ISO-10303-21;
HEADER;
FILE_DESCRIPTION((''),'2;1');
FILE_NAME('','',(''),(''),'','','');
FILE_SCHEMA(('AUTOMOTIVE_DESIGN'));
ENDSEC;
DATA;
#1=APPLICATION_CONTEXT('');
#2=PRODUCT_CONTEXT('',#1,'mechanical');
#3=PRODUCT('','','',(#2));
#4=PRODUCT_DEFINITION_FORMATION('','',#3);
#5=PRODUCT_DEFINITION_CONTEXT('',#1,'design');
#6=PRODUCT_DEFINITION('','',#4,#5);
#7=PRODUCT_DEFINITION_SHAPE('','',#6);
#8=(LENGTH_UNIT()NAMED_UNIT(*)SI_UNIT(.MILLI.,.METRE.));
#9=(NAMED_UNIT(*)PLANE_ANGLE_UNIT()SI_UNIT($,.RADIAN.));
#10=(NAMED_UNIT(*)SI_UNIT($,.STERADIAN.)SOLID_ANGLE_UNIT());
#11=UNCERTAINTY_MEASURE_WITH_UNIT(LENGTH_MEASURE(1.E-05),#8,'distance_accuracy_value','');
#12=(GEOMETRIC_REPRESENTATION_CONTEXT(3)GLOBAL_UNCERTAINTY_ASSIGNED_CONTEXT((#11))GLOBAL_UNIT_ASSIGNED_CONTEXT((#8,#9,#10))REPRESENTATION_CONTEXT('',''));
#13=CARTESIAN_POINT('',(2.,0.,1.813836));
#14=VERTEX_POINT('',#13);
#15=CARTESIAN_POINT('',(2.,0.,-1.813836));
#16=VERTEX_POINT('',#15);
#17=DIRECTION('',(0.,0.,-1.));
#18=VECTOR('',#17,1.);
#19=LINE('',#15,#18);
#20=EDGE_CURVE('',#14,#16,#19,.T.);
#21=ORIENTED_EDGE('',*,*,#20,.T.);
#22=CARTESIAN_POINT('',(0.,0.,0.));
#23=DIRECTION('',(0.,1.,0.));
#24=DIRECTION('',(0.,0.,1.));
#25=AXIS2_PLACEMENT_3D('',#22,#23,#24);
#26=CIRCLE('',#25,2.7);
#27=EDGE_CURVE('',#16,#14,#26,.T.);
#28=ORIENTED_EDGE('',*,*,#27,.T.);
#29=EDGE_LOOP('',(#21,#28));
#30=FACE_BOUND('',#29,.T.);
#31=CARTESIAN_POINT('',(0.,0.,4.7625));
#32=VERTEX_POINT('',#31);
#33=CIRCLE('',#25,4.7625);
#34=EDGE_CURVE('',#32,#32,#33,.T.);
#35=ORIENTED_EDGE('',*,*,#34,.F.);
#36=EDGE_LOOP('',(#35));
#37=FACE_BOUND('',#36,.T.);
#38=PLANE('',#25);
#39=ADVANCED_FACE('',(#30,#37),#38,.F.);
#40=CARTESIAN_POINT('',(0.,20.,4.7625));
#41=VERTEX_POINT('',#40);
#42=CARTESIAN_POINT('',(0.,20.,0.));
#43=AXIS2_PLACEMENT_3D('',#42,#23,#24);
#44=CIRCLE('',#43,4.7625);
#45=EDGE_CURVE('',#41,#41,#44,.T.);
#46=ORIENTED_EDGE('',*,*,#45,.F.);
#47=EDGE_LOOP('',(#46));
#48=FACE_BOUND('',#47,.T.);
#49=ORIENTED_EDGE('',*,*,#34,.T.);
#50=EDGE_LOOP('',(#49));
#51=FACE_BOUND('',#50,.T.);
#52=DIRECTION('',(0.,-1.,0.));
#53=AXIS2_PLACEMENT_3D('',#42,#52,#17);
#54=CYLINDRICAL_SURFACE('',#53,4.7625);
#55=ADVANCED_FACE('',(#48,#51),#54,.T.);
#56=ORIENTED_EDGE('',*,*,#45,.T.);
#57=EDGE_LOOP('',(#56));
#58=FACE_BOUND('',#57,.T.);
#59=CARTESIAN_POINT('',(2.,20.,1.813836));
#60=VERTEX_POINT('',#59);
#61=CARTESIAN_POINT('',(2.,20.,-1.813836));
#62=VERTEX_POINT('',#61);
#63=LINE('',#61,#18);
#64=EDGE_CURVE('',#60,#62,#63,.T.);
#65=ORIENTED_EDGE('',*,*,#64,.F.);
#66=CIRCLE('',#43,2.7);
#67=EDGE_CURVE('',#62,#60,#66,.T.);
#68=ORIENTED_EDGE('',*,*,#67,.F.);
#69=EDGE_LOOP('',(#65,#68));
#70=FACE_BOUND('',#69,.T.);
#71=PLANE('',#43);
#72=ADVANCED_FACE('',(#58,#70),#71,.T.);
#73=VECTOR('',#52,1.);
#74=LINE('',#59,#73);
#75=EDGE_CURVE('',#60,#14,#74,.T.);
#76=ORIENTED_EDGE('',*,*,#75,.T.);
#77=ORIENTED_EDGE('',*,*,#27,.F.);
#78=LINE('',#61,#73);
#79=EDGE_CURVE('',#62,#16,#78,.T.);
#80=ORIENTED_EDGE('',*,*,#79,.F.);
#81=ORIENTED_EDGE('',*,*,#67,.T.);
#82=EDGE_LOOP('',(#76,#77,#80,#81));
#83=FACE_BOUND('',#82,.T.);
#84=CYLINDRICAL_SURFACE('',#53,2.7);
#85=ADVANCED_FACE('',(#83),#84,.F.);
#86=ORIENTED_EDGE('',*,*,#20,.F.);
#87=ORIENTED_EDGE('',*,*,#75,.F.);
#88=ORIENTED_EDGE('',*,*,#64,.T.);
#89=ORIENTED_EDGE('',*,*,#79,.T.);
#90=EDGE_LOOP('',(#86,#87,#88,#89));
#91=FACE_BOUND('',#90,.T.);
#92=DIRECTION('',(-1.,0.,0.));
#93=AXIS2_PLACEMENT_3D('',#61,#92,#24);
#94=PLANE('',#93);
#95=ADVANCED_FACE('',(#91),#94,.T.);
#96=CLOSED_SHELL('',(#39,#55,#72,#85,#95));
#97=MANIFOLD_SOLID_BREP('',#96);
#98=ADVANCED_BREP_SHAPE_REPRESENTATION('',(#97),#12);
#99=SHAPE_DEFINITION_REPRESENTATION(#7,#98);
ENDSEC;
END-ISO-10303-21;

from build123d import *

# Parameters (mm, degrees)
SKETCH1_R           = 4.7625
BOSS_EXTRUDE1_DEPTH = 20


with BuildPart() as part:
    # Sketch1 → Boss-Extrude1 (new body)
    with BuildSketch(Plane(origin=(0, 0, 0), x_dir=(1, 0, 0), z_dir=(0, 1, 0))):
        with Locations(Location((0, 0, 0), (0, 0, 270))):
            Circle(SKETCH1_R)
        with BuildLine():
            Line((2, 1.813835715), (2, -1.813835715))
            ThreePointArc((2, -1.813835715), (-2.7, 0), (2, 1.813835715))
        make_face(mode=Mode.SUBTRACT)
    extrude(amount=BOSS_EXTRUDE1_DEPTH)


solid = part.part
